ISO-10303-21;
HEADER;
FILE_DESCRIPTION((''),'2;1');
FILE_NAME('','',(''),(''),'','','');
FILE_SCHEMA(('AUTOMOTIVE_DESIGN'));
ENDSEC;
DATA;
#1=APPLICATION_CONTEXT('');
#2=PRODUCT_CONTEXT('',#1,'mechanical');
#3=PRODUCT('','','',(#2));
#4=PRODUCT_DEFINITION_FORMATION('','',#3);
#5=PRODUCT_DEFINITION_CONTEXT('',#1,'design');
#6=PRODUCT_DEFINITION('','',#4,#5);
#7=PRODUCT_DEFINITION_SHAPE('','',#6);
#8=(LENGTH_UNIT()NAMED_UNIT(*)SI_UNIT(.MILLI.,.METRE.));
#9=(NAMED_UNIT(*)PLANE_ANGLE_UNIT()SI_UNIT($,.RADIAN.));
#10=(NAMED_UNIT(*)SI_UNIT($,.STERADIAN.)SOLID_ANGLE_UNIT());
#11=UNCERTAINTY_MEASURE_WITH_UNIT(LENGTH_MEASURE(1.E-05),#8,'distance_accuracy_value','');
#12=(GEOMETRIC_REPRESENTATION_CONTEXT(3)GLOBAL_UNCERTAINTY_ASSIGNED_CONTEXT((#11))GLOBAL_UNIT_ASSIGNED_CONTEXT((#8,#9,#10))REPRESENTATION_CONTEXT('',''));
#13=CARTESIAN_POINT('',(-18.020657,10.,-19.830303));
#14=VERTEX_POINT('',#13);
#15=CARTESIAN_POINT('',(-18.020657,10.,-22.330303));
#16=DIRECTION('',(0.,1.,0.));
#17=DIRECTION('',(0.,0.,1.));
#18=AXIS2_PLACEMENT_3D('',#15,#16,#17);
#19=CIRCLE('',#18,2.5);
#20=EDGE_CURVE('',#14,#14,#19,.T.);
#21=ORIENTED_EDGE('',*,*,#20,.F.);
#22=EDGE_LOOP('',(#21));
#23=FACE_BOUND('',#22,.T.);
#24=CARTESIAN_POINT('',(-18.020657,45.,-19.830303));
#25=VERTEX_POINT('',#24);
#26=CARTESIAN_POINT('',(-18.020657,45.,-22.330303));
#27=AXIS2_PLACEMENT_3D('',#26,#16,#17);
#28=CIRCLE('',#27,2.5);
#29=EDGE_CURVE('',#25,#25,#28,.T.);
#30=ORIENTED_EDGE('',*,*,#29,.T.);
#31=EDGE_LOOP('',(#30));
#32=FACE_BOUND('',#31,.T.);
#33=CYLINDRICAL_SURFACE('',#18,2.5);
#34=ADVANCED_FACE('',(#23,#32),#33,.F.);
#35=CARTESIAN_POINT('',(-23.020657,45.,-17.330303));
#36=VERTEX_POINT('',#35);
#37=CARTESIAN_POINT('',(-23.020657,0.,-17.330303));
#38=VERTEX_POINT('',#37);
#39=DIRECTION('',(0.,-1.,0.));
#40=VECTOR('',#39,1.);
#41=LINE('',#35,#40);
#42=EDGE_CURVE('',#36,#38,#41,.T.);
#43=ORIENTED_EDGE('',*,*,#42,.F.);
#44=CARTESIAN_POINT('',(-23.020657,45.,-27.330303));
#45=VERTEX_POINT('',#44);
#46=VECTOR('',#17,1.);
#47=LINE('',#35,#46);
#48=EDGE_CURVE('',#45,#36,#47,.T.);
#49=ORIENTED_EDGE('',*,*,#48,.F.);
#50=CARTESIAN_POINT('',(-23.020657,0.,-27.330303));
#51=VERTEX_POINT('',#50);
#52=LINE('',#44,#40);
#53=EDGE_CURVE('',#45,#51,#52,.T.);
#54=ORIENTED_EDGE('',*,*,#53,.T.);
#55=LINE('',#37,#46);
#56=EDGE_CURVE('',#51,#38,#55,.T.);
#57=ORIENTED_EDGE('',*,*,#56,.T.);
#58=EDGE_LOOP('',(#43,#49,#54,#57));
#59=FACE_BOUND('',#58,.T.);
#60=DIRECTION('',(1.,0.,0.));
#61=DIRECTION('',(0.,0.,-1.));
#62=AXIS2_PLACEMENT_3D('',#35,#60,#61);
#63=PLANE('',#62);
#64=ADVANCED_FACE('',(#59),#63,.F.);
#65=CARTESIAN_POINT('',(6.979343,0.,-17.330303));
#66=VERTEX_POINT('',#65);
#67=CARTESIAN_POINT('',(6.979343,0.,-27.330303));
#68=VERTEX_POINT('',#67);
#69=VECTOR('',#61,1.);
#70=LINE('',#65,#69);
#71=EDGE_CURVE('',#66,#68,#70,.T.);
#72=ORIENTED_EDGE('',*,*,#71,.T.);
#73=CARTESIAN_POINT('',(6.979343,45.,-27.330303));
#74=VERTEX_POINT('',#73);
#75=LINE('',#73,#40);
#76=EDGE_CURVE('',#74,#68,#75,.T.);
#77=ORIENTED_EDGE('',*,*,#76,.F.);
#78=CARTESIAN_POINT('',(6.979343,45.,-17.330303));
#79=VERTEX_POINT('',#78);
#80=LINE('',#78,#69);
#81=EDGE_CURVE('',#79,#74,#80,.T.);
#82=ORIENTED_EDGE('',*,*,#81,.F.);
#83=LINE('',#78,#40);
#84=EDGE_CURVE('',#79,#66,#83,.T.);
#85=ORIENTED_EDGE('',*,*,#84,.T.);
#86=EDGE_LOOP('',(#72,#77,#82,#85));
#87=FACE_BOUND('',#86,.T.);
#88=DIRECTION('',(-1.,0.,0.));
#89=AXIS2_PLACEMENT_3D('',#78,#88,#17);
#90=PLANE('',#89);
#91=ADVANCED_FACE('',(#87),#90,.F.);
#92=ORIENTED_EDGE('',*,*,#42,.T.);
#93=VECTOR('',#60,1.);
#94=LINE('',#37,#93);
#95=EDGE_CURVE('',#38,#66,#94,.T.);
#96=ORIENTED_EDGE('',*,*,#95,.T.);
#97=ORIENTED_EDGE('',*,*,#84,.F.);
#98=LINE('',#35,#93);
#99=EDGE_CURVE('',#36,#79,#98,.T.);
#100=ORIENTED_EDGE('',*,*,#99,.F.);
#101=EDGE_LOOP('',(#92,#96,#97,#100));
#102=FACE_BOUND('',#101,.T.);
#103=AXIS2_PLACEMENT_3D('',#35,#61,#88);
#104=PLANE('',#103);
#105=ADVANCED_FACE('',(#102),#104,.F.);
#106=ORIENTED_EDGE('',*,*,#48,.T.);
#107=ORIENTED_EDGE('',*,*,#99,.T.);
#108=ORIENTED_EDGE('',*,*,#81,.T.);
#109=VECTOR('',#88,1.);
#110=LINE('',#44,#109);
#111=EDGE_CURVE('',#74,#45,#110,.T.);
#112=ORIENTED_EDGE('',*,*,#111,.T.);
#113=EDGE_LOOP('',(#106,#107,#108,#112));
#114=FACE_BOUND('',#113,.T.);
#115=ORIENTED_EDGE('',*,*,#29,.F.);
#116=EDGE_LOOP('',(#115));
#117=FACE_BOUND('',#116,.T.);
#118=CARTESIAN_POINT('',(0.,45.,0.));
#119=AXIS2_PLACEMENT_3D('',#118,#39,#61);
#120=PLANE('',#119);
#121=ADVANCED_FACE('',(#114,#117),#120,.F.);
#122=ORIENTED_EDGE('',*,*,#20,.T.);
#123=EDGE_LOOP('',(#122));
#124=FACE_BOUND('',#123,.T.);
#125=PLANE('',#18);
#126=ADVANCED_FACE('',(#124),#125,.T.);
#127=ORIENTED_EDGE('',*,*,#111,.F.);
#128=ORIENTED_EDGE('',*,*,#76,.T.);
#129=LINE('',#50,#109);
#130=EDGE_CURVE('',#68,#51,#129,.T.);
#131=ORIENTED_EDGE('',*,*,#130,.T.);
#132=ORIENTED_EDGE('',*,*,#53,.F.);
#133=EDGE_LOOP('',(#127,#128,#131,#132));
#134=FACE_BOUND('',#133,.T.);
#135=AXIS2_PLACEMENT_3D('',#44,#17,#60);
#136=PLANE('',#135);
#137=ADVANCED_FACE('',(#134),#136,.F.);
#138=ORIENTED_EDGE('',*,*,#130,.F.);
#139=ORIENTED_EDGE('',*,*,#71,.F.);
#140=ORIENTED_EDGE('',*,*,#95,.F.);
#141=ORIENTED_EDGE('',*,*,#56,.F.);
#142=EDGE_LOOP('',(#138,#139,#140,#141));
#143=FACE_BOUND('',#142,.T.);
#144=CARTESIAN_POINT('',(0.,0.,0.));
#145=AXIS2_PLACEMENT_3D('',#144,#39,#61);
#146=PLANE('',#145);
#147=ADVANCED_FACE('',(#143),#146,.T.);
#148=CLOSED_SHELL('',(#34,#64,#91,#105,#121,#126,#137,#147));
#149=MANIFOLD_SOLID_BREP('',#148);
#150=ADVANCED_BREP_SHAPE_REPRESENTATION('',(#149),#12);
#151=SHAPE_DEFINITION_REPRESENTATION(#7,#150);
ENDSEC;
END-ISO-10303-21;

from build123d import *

# Parameters (mm, degrees)
SKETCH1_W           = 30
SKETCH1_H           = 10
BOSS_EXTRUDE1_DEPTH = 45
SKETCH2_R           = 2.5
CUT_EXTRUDE1_DEPTH  = 35


with BuildPart() as part:
    # Sketch1 → Boss-Extrude1 (new body)
    with BuildSketch(Plane(origin=(0, 0, 0), x_dir=(1, 0, 0), z_dir=(0, 1, 0))):
        with Locations((-8.020657094, 22.330303449)):
            Rectangle(SKETCH1_W, SKETCH1_H)
    extrude(amount=BOSS_EXTRUDE1_DEPTH)

    # Sketch2 → Cut-Extrude1 (cut)
    with BuildSketch(Plane(origin=(0, 45, 0), x_dir=(1, 0, 0), z_dir=(0, 1, 0))):
        with Locations((-18.020657094, 22.330303449)):
            Circle(SKETCH2_R)
    extrude(amount=-CUT_EXTRUDE1_DEPTH, mode=Mode.SUBTRACT)


solid = part.part
